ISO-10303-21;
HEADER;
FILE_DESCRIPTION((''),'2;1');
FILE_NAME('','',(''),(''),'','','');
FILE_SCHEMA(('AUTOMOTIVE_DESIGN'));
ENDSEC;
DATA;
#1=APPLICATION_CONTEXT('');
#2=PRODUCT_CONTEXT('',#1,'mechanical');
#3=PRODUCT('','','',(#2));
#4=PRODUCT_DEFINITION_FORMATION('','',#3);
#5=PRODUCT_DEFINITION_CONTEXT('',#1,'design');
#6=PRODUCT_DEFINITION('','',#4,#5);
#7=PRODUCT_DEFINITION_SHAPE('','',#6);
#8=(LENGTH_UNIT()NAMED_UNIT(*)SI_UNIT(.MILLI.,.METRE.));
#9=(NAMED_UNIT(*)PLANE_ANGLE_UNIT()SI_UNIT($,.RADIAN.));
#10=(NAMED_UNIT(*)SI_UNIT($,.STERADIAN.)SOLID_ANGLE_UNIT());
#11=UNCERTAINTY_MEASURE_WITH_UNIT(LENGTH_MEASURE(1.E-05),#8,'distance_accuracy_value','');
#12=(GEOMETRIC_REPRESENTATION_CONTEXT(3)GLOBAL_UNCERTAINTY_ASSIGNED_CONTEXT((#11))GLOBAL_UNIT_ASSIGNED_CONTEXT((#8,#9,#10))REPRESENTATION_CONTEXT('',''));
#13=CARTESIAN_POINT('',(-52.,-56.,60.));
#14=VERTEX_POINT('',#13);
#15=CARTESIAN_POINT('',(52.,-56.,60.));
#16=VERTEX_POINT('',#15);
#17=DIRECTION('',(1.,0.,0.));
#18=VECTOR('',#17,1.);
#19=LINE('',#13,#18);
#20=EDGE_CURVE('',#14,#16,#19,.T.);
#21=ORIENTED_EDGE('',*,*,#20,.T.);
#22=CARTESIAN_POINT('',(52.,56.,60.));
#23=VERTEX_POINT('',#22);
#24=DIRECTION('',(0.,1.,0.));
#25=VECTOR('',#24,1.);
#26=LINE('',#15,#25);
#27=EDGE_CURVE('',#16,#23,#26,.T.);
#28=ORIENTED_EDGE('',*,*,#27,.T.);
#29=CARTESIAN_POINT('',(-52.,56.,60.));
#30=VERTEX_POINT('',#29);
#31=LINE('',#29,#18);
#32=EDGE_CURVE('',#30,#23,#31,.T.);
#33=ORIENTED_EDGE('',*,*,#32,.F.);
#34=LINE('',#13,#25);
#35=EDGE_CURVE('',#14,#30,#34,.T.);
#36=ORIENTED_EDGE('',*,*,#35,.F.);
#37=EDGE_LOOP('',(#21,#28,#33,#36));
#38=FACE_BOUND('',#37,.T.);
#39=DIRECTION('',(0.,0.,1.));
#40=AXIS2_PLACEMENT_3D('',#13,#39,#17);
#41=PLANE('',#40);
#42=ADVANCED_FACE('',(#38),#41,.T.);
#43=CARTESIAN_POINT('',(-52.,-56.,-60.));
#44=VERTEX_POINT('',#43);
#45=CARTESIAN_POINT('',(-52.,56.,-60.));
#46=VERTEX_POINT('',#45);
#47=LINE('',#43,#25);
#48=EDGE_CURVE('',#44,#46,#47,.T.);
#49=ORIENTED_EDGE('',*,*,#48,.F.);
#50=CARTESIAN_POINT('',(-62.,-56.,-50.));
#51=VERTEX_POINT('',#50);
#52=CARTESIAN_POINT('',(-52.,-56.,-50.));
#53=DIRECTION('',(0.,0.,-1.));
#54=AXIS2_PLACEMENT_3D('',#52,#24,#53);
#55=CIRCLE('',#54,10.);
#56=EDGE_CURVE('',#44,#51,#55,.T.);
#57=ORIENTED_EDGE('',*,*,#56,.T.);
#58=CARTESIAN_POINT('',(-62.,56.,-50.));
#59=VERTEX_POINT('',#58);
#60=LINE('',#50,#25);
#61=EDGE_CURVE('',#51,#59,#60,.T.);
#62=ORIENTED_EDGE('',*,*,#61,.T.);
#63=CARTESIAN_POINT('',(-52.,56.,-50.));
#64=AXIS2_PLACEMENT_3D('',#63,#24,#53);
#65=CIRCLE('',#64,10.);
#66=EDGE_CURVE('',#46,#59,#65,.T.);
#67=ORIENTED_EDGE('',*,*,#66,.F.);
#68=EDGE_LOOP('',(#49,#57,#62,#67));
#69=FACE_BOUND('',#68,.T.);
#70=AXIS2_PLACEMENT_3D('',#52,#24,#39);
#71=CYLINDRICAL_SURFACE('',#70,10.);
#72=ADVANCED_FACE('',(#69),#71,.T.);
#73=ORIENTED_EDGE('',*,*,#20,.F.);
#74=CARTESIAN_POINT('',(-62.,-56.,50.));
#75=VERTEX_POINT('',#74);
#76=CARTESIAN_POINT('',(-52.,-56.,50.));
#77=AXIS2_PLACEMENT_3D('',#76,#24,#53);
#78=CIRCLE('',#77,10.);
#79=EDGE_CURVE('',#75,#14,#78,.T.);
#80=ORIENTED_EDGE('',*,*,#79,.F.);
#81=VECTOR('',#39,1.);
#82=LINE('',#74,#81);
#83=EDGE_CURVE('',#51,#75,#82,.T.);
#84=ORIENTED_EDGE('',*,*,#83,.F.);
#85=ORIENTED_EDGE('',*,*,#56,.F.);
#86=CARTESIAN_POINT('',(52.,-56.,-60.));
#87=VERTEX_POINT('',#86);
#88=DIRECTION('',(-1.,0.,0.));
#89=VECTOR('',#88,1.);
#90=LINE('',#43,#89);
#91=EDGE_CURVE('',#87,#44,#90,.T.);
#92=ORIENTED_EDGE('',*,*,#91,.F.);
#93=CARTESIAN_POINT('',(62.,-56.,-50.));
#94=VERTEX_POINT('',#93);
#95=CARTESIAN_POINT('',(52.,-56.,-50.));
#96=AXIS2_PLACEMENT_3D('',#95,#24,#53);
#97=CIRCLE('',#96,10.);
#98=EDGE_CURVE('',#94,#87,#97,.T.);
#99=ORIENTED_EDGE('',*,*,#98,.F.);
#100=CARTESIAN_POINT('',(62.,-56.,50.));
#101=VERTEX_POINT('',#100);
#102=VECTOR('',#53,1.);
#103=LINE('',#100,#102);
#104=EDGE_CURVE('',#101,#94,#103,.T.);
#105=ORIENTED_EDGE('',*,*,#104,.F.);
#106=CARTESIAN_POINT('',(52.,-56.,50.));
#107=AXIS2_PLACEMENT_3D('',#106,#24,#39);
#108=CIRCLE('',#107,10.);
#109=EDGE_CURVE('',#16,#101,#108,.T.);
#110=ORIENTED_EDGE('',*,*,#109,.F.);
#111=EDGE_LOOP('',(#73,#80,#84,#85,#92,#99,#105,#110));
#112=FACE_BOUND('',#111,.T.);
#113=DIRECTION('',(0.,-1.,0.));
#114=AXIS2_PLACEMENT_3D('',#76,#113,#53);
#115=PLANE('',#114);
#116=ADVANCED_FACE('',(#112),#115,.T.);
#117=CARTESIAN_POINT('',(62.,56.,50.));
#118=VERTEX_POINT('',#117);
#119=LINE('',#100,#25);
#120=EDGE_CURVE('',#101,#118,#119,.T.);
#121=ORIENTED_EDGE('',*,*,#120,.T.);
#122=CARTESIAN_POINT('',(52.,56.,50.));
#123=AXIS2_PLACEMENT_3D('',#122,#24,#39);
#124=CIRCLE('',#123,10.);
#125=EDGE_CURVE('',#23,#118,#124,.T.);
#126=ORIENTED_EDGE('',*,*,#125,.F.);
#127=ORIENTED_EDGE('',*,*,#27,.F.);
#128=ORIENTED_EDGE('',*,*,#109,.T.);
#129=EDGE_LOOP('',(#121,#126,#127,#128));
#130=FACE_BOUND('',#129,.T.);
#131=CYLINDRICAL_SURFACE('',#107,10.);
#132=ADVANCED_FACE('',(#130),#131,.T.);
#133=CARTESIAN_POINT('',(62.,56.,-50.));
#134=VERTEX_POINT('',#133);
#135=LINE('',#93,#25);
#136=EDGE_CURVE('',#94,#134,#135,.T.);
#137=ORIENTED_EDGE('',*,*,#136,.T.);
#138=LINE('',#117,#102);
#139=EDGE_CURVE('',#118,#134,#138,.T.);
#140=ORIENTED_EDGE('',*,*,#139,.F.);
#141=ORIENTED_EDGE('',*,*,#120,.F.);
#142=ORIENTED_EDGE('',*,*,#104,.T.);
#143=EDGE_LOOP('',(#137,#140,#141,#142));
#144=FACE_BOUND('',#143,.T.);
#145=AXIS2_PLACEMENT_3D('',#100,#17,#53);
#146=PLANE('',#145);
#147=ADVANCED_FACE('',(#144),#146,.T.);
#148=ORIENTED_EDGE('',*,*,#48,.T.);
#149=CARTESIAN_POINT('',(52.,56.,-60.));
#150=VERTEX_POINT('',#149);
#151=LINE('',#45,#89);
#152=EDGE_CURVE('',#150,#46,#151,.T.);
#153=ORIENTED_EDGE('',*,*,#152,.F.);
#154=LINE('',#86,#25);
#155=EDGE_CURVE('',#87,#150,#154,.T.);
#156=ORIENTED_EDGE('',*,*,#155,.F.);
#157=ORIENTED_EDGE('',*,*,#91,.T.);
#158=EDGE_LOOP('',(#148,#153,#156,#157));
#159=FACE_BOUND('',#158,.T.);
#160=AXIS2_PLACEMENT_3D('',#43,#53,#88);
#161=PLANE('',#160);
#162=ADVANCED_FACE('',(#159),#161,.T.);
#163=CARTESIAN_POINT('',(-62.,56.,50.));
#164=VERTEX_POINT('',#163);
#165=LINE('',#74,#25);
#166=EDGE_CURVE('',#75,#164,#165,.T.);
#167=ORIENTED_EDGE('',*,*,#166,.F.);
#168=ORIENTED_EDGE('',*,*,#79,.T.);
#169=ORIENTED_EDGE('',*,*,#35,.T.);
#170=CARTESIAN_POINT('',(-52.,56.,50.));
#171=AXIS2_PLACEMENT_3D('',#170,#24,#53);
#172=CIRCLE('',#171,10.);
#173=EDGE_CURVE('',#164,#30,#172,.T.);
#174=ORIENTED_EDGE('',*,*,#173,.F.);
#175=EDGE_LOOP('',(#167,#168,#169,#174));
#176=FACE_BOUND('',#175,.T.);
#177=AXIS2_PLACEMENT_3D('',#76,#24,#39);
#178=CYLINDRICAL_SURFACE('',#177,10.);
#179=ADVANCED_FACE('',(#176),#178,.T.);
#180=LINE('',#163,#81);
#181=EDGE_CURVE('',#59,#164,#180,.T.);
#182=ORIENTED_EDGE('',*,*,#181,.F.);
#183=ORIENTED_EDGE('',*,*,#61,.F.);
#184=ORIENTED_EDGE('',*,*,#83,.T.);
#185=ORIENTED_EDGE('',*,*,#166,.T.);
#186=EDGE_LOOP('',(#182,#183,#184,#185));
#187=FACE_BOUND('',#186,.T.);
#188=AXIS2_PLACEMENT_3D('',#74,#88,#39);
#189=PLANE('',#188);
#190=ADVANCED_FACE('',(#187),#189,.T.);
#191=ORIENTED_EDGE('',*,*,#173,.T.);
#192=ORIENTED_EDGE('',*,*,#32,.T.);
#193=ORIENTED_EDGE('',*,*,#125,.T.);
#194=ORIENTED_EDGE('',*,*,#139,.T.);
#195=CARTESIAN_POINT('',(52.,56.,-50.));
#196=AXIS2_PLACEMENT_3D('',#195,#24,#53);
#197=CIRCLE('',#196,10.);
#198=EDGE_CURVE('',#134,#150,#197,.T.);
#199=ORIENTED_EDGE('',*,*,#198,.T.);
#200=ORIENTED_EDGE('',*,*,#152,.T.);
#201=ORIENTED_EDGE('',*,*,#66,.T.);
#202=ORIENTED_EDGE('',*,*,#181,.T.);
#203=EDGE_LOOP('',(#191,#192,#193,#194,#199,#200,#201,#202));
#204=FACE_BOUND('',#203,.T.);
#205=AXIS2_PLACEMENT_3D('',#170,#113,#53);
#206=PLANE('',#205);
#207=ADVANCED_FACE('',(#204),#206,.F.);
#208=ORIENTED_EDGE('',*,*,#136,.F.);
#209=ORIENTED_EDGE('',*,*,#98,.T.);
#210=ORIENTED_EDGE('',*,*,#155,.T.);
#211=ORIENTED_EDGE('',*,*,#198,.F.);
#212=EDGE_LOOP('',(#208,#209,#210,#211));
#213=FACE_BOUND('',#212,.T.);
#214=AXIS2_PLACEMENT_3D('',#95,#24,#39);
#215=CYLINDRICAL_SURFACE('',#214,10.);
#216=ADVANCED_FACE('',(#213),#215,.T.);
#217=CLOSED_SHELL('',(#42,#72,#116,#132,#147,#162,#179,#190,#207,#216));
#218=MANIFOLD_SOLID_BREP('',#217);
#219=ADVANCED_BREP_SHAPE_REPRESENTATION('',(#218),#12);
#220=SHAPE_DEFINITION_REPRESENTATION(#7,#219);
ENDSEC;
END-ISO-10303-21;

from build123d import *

# Parameters (mm, degrees)
BOSS_EXTRUDE1_DEPTH      = 56
BOSS_EXTRUDE1_DEPTH_BACK = 56


with BuildPart() as part:
    # Sketch1 → Boss-Extrude1 (new, two sides: drawn at the far end of the back side and taken through both)
    with BuildSketch(Plane(origin=(0, 0, 0), x_dir=(1, 0, 0), z_dir=(0, 1, 0)).offset(-BOSS_EXTRUDE1_DEPTH_BACK)):
        with BuildLine():
            Line((-52, -60), (52, -60))
            ThreePointArc((52, -60), (59.071067812, -57.071067812), (62, -50))
            Line((62, -50), (62, 50))
            ThreePointArc((62, 50), (59.071067812, 57.071067812), (52, 60))
            Line((52, 60), (-52, 60))
            ThreePointArc((-52, 60), (-59.071067812, 57.071067812), (-62, 50))
            Line((-62, 50), (-62, -50))
            ThreePointArc((-62, -50), (-59.071067812, -57.071067812), (-52, -60))
        make_face()
    extrude(amount=BOSS_EXTRUDE1_DEPTH + BOSS_EXTRUDE1_DEPTH_BACK)


solid = part.part
